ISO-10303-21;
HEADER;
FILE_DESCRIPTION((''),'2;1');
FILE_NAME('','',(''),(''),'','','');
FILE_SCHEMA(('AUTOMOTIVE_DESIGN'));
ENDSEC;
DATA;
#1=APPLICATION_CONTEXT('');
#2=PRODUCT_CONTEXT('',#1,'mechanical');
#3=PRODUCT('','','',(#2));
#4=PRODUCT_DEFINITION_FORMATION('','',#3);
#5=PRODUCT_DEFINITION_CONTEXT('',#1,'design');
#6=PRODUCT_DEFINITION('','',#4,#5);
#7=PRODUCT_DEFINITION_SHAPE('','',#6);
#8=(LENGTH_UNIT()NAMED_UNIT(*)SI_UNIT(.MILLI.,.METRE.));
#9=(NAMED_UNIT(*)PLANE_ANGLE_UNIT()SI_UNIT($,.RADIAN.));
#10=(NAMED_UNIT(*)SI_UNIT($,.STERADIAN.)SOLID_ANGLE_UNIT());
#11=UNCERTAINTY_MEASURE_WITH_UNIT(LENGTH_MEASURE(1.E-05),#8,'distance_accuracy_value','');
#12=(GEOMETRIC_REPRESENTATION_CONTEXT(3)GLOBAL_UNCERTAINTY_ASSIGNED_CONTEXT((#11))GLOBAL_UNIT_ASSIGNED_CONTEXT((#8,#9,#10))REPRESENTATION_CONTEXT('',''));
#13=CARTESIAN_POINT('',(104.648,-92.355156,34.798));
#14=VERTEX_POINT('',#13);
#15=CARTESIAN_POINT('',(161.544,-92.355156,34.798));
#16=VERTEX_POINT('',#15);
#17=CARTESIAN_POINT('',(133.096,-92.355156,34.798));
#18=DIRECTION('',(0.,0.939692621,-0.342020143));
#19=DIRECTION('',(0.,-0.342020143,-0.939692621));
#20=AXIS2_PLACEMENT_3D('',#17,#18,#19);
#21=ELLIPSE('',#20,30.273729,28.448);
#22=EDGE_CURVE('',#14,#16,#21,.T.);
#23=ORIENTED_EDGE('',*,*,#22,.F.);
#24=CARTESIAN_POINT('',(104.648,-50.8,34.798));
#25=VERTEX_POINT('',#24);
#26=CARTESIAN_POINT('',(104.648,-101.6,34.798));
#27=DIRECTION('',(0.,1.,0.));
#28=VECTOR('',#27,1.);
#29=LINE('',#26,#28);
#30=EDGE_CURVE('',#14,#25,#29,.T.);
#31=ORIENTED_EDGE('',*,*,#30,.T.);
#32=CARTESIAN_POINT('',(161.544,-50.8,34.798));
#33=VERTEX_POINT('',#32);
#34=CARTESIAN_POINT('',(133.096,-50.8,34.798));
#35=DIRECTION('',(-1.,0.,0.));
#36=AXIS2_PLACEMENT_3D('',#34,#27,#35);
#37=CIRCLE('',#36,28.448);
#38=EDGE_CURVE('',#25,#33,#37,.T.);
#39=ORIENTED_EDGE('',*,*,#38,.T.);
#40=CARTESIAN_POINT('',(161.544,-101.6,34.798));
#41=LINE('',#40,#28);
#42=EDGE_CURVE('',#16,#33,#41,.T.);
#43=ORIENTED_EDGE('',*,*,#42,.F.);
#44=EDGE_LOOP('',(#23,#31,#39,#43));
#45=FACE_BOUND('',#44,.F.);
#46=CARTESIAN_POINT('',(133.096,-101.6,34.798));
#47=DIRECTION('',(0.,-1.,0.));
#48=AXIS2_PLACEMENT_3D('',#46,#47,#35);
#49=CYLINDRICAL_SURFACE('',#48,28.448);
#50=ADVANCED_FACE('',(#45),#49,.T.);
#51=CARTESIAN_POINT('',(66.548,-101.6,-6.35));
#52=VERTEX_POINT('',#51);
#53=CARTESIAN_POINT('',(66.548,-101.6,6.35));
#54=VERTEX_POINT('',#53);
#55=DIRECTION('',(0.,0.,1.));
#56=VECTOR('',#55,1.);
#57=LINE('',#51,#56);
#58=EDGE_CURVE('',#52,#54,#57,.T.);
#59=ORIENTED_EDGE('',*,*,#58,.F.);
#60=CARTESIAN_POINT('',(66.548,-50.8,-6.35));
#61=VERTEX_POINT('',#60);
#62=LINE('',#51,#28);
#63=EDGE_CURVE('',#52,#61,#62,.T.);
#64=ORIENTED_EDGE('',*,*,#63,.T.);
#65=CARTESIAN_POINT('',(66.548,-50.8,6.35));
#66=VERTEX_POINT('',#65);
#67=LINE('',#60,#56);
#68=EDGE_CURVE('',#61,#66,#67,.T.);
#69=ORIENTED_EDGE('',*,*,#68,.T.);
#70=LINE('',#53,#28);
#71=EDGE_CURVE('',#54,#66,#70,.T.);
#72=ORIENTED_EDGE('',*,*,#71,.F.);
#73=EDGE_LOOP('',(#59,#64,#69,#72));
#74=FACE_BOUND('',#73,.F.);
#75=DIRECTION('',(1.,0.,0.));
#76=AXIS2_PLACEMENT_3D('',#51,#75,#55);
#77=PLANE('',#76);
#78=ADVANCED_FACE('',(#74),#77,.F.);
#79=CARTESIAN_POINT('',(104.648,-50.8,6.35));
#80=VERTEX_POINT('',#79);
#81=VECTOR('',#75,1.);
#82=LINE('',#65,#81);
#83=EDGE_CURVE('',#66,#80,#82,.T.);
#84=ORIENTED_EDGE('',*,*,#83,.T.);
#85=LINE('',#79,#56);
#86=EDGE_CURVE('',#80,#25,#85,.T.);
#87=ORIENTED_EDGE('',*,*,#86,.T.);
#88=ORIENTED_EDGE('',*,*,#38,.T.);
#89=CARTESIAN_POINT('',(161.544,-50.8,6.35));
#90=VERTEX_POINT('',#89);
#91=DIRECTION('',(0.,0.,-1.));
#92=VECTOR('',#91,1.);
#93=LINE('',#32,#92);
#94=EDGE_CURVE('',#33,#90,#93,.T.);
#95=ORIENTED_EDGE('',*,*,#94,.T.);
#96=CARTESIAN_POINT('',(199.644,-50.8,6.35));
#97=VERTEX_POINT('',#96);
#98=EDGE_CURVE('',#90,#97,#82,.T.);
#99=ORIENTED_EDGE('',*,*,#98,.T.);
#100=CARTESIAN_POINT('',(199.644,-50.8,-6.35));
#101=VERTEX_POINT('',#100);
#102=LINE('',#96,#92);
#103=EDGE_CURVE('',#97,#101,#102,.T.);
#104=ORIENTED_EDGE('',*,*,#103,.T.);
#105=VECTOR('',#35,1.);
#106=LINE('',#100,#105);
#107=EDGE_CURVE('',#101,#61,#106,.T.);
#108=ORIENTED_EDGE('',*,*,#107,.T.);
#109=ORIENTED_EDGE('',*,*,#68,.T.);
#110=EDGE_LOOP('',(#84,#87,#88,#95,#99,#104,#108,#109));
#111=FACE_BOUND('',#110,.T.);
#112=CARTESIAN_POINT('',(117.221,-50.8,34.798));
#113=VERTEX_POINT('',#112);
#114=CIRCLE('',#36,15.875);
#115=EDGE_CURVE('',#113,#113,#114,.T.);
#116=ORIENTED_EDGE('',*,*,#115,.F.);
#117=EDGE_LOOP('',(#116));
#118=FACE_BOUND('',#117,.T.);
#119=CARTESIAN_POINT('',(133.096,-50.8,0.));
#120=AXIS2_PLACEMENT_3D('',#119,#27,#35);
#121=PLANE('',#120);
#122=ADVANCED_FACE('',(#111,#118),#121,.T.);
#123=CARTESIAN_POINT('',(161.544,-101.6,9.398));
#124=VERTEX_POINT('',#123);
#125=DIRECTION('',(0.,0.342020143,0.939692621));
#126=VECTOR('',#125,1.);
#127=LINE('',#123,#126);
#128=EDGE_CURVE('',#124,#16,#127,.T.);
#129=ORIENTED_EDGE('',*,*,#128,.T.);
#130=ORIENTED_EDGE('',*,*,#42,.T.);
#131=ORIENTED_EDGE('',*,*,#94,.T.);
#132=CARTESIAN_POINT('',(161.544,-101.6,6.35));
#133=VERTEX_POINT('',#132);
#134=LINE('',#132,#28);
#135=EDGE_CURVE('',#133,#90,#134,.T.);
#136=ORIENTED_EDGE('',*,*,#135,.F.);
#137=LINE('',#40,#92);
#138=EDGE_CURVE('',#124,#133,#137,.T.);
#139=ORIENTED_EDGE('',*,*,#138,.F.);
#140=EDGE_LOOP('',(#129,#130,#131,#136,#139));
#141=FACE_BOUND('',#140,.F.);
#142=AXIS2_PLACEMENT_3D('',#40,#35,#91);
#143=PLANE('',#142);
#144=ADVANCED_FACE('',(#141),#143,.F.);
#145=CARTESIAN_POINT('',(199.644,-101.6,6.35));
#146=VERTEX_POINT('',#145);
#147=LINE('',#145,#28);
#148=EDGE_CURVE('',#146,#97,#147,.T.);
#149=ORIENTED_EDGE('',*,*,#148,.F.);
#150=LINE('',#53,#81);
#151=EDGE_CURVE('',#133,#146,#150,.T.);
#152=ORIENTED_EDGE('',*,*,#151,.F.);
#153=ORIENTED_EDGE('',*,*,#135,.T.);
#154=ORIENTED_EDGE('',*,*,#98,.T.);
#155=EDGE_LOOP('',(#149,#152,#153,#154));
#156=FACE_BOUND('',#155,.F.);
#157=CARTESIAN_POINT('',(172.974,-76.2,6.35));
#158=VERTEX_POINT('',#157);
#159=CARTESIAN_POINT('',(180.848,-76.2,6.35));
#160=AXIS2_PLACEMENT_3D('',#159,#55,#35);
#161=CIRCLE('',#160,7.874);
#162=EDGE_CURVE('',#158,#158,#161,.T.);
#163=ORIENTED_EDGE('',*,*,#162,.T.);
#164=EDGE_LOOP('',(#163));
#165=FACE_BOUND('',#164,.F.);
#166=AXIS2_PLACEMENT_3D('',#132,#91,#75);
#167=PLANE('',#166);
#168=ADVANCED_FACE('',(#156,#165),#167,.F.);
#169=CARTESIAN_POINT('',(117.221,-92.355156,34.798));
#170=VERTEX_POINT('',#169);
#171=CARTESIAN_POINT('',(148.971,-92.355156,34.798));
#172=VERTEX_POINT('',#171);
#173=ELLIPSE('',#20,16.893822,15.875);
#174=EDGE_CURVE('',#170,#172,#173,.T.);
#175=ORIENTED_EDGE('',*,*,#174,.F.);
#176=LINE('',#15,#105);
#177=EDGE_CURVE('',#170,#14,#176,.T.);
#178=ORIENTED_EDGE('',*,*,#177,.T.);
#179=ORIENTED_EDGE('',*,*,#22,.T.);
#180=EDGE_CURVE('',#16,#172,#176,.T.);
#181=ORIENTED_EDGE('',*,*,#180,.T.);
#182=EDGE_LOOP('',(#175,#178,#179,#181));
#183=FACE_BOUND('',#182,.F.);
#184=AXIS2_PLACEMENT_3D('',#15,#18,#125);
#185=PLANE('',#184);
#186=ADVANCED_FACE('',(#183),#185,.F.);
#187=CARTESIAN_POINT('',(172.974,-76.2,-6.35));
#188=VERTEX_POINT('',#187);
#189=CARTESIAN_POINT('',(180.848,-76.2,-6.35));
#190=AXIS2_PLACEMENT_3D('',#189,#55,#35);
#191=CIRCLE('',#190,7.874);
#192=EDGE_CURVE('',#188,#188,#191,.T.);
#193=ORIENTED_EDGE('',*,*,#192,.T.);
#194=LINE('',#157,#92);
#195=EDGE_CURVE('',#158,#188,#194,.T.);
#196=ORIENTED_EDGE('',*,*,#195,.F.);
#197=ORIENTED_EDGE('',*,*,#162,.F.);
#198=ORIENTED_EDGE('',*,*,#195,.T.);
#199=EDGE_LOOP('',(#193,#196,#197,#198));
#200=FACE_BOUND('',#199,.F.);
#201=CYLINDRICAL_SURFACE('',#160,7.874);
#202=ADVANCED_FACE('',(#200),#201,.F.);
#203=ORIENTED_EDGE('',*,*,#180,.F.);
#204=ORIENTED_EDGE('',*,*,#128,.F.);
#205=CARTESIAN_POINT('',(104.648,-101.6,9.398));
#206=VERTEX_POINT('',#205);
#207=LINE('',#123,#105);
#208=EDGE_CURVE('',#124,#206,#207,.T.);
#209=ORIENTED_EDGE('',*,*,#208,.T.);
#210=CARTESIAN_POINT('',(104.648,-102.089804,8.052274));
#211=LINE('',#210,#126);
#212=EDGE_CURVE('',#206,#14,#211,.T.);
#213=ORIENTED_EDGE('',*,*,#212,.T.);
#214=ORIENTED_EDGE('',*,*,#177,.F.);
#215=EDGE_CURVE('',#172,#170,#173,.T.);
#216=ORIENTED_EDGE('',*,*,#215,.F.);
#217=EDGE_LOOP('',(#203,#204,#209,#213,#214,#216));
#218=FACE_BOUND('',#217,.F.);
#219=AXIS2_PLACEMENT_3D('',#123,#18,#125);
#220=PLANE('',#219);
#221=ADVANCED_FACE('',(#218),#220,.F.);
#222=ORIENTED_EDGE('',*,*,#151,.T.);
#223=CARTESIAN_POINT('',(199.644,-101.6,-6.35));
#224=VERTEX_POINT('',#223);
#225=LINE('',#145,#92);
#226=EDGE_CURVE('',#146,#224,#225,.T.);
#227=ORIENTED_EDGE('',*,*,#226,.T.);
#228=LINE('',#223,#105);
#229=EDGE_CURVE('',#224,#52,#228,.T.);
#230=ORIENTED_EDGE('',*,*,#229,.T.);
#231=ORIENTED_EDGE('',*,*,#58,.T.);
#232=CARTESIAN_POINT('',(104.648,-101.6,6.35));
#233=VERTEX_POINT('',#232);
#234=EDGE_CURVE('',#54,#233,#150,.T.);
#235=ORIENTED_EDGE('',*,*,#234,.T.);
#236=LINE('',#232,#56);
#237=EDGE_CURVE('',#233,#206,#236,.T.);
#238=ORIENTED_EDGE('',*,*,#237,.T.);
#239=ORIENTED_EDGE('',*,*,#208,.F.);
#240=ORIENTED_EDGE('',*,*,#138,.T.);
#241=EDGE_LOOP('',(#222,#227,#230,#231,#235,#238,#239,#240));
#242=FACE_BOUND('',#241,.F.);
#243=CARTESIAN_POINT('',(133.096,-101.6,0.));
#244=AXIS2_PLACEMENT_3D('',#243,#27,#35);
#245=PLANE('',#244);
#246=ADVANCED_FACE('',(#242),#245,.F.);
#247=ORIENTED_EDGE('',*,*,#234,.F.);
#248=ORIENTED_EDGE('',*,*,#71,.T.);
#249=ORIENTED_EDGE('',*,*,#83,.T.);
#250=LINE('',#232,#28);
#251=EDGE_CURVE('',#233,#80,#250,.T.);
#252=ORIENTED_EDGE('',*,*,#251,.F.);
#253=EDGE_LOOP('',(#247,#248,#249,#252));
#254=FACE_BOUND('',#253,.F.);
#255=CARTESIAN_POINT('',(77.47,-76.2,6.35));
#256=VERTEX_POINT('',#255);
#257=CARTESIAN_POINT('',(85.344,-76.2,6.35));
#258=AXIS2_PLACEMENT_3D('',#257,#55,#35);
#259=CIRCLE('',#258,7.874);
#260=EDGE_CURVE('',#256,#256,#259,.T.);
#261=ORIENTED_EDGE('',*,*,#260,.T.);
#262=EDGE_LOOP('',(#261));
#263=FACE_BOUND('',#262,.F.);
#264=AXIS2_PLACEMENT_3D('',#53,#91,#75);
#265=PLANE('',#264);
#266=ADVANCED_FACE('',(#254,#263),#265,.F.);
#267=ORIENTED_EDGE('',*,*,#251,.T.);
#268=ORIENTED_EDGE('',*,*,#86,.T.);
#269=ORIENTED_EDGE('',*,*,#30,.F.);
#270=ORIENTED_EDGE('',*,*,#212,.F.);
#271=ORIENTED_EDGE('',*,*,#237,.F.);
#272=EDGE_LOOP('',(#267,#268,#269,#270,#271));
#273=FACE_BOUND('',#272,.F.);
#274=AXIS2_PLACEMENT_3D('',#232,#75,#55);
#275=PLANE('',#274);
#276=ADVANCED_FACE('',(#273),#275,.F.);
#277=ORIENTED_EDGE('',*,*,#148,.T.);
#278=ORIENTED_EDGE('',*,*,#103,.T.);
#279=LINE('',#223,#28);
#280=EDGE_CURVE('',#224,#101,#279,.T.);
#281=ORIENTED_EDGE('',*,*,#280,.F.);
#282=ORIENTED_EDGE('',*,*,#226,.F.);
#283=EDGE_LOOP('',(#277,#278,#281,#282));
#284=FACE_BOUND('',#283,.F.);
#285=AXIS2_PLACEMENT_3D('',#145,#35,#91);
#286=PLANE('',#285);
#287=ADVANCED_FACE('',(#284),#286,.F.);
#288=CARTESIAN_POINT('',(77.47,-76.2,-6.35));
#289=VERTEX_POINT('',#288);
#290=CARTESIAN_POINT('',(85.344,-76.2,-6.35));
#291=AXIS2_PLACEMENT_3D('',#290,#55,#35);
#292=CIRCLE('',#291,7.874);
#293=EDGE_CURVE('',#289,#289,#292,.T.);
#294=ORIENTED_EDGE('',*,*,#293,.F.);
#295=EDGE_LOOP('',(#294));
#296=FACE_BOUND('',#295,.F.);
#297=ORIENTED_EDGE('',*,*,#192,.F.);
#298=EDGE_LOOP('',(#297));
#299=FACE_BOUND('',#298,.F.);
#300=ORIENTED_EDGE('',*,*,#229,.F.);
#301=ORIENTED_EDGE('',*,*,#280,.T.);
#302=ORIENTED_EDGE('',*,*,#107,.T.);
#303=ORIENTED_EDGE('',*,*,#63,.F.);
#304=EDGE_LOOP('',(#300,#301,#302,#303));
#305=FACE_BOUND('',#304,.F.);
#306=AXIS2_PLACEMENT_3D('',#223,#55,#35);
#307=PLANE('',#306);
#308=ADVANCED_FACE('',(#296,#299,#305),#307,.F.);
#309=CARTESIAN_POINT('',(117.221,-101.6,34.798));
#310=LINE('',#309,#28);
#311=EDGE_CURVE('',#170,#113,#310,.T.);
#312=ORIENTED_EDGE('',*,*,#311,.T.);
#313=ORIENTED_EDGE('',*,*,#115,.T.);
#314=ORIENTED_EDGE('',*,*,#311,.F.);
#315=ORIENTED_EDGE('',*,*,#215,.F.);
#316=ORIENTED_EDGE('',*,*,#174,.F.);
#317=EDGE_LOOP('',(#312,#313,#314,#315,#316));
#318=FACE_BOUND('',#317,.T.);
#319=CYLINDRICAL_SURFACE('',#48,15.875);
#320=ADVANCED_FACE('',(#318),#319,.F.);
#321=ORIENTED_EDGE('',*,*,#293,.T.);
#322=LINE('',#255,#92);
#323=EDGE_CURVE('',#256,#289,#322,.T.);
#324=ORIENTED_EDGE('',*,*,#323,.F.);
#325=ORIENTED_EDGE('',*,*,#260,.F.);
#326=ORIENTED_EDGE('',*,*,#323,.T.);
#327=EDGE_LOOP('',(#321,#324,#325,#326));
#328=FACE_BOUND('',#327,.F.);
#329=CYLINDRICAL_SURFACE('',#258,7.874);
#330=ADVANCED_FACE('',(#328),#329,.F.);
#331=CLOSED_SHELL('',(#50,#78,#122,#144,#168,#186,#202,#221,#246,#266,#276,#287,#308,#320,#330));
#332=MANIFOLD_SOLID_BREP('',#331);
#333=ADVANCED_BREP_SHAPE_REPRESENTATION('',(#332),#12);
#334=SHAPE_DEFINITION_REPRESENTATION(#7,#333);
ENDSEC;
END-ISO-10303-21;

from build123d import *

# Parameters (mm, degrees)
F0_R     = 15.875
F1_DEPTH = 50.8
F2_R     = 7.874
F3_DEPTH = 12.7
F5_DEPTH = 76.2
F6_ANGLE = 180


with BuildPart() as f1:
    # F0 (on Front) → F1 (new body)
    with BuildSketch(Plane.XZ):
        Polygon((66.548, -6.35), (66.548, 6.35), (28.448, 6.35), (-28.448, 6.35), (-66.548, 6.35), (-66.548, -6.35), (-28.448, -6.35), (28.448, -6.35), align=None)
        with BuildLine():
            Line((-28.448, 6.35), (28.448, 6.35))
            Line((28.448, 6.35), (28.448, 34.798))
            ThreePointArc((28.448, 34.798), (0, 63.246), (-28.448, 34.798))
            Line((-28.448, 34.798), (-28.448, 6.35))
        make_face()
        with Locations((0, 34.798)):
            Circle(F0_R, mode=Mode.SUBTRACT)
    extrude(amount=F1_DEPTH)

    # F2 (on face) → F3 (cut)
    with BuildSketch(Plane.XY.offset(6.35)):
        with Locations((47.752, -25.4)):
            Circle(F2_R)
        with Locations((-47.752, -25.4)):
            Circle(F2_R)
    extrude(amount=-F3_DEPTH, mode=Mode.SUBTRACT)

    # F4 (on face) → F5 (cut)
    with BuildSketch(Plane(origin=(-28.448, 0, 0), x_dir=(0, -1, 0), z_dir=(-1, 0, 0))):
        Polygon((0, 64.1047875036), (0, 34.798), (9.2448439504, 34.798), (19.9116422636, 64.1047875036), align=None)
        Polygon((0, 34.798), (0, 9.398), (9.2448439504, 34.798), align=None)
    extrude(amount=-F5_DEPTH, mode=Mode.SUBTRACT)


with BuildPart() as f1_1:
    # F6: moved
    add(f1.part.rotate(Axis((66.548, -50.8, 0), (0, 0, -1)), F6_ANGLE))


solid = f1_1.part
